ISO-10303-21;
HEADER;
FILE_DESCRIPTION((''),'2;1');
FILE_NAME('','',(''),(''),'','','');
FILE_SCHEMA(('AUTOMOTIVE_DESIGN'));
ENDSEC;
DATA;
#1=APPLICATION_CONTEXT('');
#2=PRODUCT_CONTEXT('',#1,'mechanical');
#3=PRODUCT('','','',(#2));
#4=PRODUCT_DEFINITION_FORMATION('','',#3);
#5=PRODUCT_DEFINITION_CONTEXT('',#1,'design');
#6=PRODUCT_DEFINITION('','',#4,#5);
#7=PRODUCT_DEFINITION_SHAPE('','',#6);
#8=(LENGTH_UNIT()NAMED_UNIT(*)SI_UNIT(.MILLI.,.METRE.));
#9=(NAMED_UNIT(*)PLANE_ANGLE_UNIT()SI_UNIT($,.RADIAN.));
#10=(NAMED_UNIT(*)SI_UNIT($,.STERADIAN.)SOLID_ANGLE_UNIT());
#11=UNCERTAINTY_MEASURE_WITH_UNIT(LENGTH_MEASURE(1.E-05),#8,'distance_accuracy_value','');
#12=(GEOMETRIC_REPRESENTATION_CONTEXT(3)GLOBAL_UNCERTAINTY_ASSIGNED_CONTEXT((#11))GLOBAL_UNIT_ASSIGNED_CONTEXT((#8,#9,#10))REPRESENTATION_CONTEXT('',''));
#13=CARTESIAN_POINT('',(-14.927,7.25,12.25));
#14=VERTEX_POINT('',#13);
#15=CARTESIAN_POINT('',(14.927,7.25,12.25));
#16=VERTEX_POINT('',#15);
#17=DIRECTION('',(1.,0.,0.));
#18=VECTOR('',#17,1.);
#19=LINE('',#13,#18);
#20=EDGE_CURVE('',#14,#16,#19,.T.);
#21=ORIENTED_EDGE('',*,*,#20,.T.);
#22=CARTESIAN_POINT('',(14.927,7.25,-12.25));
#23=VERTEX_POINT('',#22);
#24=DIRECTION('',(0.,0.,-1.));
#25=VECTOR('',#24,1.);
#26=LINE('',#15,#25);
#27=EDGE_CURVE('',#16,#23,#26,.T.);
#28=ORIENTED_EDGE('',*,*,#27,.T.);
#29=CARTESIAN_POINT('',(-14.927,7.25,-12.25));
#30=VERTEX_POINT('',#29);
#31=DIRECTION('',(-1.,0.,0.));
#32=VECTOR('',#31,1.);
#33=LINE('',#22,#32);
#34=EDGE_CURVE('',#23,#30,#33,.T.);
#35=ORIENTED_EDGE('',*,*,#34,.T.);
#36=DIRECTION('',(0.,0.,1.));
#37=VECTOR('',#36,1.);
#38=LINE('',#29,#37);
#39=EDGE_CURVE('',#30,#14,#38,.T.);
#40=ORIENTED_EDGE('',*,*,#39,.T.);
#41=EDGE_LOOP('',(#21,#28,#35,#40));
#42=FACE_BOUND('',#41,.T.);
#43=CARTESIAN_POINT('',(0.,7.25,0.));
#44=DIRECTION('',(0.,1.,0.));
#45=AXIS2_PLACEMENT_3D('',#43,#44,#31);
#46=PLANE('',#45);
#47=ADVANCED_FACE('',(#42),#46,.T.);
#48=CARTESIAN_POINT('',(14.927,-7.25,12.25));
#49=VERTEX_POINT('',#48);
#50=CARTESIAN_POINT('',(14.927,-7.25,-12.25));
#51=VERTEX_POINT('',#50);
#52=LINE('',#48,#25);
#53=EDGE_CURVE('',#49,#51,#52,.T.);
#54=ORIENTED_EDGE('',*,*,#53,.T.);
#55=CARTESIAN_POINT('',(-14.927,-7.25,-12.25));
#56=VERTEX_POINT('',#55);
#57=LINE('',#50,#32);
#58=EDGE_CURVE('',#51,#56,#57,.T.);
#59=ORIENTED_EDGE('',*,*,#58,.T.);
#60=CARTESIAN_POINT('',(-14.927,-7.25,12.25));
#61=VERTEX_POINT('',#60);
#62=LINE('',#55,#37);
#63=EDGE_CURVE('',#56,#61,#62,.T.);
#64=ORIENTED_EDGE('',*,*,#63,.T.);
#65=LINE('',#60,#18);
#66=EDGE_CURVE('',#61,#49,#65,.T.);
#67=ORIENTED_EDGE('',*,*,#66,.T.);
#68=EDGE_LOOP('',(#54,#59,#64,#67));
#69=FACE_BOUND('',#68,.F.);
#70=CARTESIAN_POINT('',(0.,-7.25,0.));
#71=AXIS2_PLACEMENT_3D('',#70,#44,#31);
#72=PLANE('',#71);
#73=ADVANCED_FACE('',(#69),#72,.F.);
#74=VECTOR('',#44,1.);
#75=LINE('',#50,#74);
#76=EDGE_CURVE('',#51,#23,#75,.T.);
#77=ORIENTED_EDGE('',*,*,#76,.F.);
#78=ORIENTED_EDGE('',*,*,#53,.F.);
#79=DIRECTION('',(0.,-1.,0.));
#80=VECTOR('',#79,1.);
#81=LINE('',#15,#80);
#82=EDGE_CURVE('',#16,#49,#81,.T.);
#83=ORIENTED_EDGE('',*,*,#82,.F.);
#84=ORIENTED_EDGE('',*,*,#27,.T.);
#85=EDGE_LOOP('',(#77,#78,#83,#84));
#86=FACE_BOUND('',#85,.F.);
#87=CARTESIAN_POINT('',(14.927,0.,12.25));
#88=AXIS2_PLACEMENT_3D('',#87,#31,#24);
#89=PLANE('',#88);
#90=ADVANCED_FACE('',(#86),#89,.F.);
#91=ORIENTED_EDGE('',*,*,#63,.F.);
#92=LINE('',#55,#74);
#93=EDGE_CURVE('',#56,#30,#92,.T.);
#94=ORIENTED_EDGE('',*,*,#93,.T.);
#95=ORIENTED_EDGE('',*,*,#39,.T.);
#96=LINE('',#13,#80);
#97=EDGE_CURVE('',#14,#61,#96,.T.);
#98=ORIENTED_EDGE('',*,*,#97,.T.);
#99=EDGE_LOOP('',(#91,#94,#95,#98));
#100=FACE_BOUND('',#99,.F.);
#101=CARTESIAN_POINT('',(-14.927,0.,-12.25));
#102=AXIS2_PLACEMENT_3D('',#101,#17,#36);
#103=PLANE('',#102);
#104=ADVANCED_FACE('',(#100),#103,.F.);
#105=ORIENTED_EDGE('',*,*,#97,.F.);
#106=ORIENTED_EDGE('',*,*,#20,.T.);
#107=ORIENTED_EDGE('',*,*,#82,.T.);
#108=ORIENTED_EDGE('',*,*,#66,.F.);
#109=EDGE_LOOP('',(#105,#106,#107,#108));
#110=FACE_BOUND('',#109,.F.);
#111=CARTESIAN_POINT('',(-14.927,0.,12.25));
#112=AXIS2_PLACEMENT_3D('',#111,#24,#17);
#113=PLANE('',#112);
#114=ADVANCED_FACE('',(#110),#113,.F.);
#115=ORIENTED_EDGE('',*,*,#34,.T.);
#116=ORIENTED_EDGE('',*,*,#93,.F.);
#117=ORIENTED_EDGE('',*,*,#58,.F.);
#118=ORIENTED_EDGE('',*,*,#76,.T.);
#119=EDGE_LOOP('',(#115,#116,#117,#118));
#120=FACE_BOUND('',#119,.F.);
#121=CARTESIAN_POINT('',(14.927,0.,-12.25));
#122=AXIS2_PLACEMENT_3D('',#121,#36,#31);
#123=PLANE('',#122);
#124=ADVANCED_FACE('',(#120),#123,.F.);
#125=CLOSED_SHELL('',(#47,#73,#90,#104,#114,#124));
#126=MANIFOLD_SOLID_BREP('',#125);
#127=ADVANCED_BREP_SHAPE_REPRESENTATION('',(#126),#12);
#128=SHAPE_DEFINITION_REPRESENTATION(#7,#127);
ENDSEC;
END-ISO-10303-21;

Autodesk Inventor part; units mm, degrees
ref_plane "YZ Plane" through (0, 0, 0) normal (1, 0, 0) x (0, 1, 0)
ref_plane "XZ Plane" through (0, 0, 0) normal (0, 1, 0) x (-1, 0, 0)
ref_plane "XY Plane" through (0, 0, 0) normal (0, 0, 1) x (1, 0, 0)
sketch "Sketch1" plane through (0, 0, 0) normal (0, 1, 0) x (-1, 0, 0)
  line L0 (-14.927, -12.25) -> (14.927, -12.25)
  line L1 (14.927, -12.25) -> (14.927, 12.25)
  line L2 (14.927, 12.25) -> (-14.927, 12.25)
  line L3 (-14.927, 12.25) -> (-14.927, -12.25)
  line L4 (-14.927, -12.25) -> (14.927, 12.25) construction
  line L5 (14.927, -12.25) -> (-14.927, 12.25) construction
  point P0 (0, 0)
  dimension "d0" = 29.854
  dimension "d1" = 24.5
extrude "Extrusion1" add sketch "Sketch1" along normal mid plane 14.5
properties part number "shaft toothed clip holder v2 hole bool"
